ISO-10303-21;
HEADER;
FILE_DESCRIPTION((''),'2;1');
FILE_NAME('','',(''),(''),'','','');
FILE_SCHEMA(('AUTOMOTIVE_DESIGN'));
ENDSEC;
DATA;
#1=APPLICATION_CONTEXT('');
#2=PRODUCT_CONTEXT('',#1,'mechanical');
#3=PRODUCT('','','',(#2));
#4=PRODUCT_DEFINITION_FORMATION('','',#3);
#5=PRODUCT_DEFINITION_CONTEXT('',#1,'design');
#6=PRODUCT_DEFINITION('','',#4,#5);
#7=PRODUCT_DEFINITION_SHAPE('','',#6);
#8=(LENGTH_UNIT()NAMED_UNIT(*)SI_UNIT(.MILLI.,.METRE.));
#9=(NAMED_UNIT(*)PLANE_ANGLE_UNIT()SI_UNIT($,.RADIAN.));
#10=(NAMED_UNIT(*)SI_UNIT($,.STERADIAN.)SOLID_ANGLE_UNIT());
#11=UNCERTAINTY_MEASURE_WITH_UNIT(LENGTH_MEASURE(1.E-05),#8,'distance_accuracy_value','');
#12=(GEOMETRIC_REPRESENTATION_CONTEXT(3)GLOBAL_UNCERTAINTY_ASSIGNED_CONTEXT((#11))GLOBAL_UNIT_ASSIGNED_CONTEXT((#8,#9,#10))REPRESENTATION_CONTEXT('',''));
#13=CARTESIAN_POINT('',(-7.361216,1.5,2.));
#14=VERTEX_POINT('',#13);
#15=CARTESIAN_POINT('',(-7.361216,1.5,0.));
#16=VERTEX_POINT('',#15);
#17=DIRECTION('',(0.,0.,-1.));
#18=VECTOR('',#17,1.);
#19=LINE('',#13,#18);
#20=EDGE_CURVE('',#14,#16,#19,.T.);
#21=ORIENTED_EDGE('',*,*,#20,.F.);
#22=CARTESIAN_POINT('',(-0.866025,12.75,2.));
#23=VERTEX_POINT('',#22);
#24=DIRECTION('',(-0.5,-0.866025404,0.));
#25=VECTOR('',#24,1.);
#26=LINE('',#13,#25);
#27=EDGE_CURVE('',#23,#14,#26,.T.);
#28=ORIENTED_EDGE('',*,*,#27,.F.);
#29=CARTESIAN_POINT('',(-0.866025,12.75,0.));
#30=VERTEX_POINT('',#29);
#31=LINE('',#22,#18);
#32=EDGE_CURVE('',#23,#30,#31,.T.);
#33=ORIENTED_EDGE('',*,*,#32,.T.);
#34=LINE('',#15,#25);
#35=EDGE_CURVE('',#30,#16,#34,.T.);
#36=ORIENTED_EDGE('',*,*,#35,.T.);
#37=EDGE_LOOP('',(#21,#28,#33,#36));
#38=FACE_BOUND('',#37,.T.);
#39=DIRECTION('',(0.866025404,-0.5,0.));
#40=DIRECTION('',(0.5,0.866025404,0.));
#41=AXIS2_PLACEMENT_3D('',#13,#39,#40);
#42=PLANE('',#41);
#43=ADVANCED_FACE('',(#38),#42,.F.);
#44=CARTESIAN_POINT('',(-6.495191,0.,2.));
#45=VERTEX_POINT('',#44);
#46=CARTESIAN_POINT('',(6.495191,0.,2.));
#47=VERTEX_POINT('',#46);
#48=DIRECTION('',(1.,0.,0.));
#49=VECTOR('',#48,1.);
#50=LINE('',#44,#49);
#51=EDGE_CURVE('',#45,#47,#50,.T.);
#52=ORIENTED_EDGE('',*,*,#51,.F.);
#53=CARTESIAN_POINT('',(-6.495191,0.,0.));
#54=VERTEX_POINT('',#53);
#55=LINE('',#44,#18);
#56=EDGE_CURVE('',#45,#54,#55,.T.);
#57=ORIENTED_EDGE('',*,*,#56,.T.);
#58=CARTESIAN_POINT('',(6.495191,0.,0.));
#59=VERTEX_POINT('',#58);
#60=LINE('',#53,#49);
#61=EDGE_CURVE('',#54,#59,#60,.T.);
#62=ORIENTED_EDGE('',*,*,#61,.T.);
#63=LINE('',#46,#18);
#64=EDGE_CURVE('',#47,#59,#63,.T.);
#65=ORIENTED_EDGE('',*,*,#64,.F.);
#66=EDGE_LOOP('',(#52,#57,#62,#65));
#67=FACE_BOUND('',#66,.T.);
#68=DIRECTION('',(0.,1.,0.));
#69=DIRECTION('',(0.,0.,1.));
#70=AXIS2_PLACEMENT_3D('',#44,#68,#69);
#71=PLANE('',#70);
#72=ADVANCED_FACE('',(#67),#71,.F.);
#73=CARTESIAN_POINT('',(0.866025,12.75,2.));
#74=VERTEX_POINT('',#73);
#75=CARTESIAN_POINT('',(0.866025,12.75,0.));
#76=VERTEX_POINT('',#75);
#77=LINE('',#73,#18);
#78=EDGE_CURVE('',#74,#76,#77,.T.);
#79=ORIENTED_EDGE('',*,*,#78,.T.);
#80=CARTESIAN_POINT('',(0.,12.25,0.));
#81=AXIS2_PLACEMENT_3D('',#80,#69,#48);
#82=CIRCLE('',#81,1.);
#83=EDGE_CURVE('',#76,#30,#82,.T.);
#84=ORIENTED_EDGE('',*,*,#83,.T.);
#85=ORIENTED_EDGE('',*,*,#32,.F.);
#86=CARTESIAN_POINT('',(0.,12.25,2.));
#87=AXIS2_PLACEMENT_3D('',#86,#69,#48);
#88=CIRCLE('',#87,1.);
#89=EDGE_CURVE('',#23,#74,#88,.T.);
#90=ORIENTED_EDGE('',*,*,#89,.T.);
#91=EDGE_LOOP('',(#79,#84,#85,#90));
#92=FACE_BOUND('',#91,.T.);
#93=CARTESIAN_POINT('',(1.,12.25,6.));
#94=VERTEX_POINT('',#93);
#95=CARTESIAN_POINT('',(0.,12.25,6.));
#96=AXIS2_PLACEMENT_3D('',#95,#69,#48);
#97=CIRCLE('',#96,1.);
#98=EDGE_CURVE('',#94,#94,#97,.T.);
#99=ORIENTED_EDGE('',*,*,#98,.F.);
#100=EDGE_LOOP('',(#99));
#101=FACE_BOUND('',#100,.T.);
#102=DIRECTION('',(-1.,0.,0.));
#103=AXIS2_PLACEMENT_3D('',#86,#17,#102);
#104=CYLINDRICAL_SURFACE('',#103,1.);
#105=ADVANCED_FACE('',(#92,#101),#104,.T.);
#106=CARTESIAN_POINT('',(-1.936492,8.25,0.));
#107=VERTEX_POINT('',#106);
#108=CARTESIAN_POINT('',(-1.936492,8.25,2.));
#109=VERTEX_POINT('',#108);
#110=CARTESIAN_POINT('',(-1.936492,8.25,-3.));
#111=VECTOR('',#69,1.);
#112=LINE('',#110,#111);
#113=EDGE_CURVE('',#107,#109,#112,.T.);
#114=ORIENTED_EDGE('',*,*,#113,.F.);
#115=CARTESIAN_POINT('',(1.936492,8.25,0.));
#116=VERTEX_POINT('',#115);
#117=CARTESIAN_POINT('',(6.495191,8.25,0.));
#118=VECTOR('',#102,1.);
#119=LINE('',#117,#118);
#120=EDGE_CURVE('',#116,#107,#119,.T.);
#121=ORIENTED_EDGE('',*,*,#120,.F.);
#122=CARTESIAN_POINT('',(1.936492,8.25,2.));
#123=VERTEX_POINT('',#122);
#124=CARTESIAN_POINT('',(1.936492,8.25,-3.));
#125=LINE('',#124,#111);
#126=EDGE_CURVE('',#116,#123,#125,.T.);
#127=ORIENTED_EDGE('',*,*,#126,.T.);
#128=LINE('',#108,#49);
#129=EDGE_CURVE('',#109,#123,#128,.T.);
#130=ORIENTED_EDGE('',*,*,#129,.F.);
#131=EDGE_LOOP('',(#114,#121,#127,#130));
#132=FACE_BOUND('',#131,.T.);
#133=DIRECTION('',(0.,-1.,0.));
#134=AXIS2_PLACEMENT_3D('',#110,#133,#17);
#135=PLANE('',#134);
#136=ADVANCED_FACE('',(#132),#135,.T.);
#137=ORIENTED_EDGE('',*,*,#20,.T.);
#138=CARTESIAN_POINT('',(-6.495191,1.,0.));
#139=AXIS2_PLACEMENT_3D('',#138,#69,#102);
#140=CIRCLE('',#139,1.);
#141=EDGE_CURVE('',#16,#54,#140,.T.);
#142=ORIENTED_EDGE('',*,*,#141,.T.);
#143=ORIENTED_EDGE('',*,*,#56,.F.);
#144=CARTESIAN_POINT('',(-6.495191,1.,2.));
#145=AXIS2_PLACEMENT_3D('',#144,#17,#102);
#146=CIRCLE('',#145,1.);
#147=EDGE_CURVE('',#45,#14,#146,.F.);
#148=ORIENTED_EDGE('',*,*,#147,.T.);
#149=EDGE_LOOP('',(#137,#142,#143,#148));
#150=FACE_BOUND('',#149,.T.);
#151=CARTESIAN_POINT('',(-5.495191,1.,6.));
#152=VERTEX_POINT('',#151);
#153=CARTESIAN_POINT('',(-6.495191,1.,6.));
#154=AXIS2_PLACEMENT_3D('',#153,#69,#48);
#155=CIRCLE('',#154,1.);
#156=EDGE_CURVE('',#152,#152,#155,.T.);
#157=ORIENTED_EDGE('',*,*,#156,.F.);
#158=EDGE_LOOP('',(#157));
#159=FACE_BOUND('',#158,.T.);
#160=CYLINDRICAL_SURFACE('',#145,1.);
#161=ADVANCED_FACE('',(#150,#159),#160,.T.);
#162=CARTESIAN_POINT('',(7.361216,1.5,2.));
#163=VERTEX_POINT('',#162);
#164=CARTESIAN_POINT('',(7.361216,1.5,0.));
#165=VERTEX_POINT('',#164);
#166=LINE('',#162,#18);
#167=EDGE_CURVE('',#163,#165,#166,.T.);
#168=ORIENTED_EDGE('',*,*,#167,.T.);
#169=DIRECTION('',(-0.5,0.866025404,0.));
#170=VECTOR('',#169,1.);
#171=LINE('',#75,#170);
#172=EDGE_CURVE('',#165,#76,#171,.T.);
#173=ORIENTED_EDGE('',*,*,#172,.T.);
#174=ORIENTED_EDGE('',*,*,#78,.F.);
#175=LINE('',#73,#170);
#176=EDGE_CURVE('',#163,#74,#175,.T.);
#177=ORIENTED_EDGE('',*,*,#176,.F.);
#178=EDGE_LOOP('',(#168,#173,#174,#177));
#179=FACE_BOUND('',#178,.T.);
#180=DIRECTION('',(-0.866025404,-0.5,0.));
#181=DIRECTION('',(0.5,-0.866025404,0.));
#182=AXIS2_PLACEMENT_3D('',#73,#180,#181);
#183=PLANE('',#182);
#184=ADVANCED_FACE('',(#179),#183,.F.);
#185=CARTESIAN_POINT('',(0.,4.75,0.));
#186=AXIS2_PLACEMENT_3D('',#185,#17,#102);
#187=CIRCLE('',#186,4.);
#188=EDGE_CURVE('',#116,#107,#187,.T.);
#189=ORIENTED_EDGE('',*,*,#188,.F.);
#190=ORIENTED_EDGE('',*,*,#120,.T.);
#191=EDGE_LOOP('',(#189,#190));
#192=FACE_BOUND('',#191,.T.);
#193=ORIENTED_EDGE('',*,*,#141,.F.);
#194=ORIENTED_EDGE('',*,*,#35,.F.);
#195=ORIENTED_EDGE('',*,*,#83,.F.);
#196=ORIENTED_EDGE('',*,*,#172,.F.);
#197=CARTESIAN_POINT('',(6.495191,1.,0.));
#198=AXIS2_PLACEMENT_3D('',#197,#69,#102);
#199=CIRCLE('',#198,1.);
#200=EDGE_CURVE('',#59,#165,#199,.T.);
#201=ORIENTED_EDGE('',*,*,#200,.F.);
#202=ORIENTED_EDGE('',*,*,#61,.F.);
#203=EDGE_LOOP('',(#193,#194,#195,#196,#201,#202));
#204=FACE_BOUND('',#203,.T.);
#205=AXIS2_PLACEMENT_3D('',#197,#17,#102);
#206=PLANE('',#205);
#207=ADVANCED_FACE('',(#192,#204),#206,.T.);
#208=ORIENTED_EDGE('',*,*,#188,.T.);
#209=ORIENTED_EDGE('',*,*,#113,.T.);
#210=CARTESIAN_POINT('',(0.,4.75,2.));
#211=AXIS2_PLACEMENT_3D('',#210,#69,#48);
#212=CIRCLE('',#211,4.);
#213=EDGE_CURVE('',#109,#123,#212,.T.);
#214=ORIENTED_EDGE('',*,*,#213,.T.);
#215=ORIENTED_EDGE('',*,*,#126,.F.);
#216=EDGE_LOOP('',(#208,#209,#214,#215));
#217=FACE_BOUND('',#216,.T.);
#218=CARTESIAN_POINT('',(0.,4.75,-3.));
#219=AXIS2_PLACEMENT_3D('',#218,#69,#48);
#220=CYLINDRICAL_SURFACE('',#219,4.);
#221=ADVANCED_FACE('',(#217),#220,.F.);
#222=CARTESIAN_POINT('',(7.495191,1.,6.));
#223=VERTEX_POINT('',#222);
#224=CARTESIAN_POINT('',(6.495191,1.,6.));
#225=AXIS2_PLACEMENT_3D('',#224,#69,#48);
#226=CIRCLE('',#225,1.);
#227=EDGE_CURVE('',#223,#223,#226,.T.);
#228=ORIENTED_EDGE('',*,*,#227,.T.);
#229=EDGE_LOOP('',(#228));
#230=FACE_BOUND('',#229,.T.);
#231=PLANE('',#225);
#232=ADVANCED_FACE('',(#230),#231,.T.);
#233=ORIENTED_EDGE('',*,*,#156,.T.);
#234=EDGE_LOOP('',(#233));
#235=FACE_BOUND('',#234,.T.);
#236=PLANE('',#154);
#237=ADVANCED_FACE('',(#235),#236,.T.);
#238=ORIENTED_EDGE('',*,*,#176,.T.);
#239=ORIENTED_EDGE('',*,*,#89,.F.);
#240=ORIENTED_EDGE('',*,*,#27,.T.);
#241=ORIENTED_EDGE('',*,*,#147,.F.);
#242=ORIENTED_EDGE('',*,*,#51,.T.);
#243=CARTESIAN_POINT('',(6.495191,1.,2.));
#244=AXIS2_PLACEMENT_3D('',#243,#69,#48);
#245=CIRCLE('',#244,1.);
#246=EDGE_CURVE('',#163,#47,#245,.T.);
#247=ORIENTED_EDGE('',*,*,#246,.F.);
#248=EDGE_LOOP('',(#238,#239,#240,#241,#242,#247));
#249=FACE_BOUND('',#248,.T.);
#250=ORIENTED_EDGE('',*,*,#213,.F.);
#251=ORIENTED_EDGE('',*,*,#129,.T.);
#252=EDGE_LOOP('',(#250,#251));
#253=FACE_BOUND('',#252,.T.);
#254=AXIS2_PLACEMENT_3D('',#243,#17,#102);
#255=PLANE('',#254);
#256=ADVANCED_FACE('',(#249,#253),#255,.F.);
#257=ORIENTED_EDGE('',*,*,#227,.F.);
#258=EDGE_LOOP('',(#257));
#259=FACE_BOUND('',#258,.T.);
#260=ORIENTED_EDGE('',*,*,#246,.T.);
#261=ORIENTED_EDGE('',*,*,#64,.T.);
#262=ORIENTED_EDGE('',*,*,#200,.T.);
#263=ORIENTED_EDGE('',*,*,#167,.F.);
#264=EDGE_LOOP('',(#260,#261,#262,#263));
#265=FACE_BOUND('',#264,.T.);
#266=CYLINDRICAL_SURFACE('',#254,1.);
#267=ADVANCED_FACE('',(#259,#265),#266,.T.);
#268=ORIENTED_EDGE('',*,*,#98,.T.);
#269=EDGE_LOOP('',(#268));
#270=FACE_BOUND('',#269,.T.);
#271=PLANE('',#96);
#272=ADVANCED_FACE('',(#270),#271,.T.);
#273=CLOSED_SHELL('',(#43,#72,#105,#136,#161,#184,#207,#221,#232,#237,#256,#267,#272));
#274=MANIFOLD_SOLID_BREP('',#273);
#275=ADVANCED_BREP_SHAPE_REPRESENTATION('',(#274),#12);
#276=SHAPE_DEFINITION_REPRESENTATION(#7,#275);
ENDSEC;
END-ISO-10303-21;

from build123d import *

# Parameters (mm, degrees)
EXTRUDE_1_DEPTH     = 2
SKETCH_2_R          = 1
EXTRUDE_2_DEPTH     = 4
CUT_EXTRUDE_4_DEPTH = 5


with BuildPart() as part:
    # 草图1 → 凸台-拉伸1 (new body)
    with BuildSketch(Plane.XY):
        with BuildLine():
            Line((-7.361215932, 1.5), (-0.866025404, 12.75))
            ThreePointArc((-0.866025404, 12.75), (0, 13.25), (0.866025404, 12.75))
            Line((0.866025404, 12.75), (7.361215932, 1.5))
            ThreePointArc((7.361215932, 1.5), (7.361215932, 0.5), (6.495190528, 0))
            Line((6.495190528, 0), (-6.495190528, 0))
            ThreePointArc((-6.495190528, 0), (-7.361215932, 0.5), (-7.361215932, 1.5))
        make_face()
    extrude(amount=EXTRUDE_1_DEPTH)

    # 草图2 → 凸台-拉伸2 (add)
    with BuildSketch(Plane.XY.offset(2)):
        with Locations(Location((0, 12.25, 0), (0, 0, 150))):
            Circle(SKETCH_2_R)
        with Locations(Location((6.495190528, 1, 0), (0, 0, 270))):
            Circle(SKETCH_2_R)
        with Locations(Location((-6.495190528, 1, 0), (0, 0, 150))):
            Circle(SKETCH_2_R)
    extrude(amount=EXTRUDE_2_DEPTH)

    # 草图3 → 切除-拉伸4 (cut)
    with BuildSketch(Plane.XY.offset(2)):
        with BuildLine():
            Line((-1.936491673, 8.25), (1.936491673, 8.25))
            ThreePointArc((1.936491673, 8.25), (0, 0.75), (-1.936491673, 8.25))
        make_face()
    extrude(amount=-CUT_EXTRUDE_4_DEPTH, mode=Mode.SUBTRACT)


solid = part.part
